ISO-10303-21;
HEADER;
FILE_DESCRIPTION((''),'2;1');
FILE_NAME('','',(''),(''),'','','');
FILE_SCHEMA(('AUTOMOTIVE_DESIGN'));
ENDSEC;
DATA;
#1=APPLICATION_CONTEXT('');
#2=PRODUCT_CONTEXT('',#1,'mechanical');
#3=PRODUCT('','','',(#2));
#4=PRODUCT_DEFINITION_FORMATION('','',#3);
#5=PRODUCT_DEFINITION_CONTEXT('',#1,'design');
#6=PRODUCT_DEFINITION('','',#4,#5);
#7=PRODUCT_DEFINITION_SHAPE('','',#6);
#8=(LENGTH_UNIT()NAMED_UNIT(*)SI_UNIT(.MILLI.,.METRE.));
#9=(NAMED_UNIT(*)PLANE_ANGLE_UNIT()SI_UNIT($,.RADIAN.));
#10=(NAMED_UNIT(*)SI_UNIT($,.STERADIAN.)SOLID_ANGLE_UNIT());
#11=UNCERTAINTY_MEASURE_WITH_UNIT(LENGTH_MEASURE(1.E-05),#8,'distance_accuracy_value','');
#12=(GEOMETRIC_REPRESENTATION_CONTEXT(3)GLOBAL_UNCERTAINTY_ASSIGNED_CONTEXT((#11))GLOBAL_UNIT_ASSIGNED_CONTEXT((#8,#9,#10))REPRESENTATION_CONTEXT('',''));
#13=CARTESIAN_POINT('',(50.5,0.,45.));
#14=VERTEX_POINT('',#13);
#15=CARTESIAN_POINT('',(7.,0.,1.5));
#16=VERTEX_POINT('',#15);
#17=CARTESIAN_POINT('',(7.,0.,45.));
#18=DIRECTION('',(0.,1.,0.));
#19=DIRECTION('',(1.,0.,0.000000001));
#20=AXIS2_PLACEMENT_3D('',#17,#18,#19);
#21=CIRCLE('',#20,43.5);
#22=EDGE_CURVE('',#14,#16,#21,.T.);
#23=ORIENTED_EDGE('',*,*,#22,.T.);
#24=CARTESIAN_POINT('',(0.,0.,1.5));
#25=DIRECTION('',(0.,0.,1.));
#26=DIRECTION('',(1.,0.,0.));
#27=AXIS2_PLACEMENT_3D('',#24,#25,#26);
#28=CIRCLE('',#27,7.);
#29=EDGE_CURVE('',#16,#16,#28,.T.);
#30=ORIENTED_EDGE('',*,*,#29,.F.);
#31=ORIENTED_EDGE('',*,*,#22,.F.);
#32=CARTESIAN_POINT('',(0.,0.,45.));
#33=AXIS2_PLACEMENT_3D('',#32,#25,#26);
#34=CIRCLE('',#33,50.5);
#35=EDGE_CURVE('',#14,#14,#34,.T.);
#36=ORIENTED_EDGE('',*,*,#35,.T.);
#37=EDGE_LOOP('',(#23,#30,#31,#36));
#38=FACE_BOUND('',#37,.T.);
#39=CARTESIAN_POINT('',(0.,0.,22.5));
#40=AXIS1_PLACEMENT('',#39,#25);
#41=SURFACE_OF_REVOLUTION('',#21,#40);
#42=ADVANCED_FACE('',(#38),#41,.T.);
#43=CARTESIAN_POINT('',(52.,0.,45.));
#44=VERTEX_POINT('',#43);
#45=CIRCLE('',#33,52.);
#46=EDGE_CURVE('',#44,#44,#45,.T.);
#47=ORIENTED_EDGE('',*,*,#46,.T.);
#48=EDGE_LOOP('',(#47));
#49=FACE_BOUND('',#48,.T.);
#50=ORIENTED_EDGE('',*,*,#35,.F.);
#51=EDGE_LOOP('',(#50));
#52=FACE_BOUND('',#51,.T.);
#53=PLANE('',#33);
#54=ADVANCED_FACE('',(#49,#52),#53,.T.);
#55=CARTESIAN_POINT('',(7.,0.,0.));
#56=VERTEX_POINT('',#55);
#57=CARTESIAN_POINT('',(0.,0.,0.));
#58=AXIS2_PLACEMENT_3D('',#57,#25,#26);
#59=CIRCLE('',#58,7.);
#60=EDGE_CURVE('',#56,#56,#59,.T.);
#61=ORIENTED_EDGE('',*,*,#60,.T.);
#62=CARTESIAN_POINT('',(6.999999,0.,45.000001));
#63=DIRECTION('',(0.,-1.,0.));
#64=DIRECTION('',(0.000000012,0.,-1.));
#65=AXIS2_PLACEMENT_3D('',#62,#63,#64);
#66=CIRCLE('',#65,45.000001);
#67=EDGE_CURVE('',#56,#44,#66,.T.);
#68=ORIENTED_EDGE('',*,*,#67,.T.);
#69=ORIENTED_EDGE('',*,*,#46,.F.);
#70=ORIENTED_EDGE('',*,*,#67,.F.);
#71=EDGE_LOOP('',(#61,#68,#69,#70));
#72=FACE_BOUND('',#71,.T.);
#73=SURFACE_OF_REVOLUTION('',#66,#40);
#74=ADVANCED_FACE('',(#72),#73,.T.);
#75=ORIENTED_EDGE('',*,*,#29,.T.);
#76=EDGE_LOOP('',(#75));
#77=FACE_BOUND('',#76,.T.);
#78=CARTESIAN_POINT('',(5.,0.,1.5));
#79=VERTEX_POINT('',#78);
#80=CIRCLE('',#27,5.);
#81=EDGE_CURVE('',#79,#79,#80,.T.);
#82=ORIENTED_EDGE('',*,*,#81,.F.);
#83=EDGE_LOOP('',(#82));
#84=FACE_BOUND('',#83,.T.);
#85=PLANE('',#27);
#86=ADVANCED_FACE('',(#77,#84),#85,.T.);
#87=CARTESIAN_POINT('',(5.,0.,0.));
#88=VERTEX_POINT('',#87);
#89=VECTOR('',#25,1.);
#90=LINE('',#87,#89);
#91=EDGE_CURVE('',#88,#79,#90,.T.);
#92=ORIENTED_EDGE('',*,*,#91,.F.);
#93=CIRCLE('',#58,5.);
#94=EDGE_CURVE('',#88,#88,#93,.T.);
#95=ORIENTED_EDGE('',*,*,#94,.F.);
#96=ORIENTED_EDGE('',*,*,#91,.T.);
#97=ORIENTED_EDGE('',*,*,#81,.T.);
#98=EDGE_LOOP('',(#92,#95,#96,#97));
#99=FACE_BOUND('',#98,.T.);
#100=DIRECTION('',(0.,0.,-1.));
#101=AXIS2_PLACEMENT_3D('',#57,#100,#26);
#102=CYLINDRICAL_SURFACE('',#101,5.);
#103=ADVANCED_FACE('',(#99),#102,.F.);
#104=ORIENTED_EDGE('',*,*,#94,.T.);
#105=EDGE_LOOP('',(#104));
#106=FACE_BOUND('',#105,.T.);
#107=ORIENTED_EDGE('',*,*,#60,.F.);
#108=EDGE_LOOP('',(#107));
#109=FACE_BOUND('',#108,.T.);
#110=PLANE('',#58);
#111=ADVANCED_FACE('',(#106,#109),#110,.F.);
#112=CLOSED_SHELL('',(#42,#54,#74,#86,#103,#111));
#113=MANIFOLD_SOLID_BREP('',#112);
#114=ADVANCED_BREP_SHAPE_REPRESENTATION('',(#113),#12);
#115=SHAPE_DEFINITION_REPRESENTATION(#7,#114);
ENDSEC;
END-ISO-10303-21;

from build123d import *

# Parameters (mm, degrees)
F2_R     = 5
F3_DEPTH = 1.5


with BuildPart() as f1:
    # F0 (on Front) → F1 (revolve)
    with BuildSketch(Plane.XZ):
        with BuildLine():
            Line((0, 1.5), (0, 0))
            Line((0, 0), (7, 0))
            ThreePointArc((7, 0), (38.819805, 13.180195), (52, 45))
            Line((52, 45), (50.5, 45))
            ThreePointArc((50.5, 45), (37.759145, 14.240855), (7, 1.5))
            Line((7, 1.5), (0, 1.5))
        make_face()
    revolve(axis=Axis((0, 0, 22.5), (0, 0, 1)))

    # F2 (on Top) → F3 (cut)
    with BuildSketch(Plane.XY):
        Circle(F2_R)
    extrude(amount=F3_DEPTH, mode=Mode.SUBTRACT)


solid = f1.part
